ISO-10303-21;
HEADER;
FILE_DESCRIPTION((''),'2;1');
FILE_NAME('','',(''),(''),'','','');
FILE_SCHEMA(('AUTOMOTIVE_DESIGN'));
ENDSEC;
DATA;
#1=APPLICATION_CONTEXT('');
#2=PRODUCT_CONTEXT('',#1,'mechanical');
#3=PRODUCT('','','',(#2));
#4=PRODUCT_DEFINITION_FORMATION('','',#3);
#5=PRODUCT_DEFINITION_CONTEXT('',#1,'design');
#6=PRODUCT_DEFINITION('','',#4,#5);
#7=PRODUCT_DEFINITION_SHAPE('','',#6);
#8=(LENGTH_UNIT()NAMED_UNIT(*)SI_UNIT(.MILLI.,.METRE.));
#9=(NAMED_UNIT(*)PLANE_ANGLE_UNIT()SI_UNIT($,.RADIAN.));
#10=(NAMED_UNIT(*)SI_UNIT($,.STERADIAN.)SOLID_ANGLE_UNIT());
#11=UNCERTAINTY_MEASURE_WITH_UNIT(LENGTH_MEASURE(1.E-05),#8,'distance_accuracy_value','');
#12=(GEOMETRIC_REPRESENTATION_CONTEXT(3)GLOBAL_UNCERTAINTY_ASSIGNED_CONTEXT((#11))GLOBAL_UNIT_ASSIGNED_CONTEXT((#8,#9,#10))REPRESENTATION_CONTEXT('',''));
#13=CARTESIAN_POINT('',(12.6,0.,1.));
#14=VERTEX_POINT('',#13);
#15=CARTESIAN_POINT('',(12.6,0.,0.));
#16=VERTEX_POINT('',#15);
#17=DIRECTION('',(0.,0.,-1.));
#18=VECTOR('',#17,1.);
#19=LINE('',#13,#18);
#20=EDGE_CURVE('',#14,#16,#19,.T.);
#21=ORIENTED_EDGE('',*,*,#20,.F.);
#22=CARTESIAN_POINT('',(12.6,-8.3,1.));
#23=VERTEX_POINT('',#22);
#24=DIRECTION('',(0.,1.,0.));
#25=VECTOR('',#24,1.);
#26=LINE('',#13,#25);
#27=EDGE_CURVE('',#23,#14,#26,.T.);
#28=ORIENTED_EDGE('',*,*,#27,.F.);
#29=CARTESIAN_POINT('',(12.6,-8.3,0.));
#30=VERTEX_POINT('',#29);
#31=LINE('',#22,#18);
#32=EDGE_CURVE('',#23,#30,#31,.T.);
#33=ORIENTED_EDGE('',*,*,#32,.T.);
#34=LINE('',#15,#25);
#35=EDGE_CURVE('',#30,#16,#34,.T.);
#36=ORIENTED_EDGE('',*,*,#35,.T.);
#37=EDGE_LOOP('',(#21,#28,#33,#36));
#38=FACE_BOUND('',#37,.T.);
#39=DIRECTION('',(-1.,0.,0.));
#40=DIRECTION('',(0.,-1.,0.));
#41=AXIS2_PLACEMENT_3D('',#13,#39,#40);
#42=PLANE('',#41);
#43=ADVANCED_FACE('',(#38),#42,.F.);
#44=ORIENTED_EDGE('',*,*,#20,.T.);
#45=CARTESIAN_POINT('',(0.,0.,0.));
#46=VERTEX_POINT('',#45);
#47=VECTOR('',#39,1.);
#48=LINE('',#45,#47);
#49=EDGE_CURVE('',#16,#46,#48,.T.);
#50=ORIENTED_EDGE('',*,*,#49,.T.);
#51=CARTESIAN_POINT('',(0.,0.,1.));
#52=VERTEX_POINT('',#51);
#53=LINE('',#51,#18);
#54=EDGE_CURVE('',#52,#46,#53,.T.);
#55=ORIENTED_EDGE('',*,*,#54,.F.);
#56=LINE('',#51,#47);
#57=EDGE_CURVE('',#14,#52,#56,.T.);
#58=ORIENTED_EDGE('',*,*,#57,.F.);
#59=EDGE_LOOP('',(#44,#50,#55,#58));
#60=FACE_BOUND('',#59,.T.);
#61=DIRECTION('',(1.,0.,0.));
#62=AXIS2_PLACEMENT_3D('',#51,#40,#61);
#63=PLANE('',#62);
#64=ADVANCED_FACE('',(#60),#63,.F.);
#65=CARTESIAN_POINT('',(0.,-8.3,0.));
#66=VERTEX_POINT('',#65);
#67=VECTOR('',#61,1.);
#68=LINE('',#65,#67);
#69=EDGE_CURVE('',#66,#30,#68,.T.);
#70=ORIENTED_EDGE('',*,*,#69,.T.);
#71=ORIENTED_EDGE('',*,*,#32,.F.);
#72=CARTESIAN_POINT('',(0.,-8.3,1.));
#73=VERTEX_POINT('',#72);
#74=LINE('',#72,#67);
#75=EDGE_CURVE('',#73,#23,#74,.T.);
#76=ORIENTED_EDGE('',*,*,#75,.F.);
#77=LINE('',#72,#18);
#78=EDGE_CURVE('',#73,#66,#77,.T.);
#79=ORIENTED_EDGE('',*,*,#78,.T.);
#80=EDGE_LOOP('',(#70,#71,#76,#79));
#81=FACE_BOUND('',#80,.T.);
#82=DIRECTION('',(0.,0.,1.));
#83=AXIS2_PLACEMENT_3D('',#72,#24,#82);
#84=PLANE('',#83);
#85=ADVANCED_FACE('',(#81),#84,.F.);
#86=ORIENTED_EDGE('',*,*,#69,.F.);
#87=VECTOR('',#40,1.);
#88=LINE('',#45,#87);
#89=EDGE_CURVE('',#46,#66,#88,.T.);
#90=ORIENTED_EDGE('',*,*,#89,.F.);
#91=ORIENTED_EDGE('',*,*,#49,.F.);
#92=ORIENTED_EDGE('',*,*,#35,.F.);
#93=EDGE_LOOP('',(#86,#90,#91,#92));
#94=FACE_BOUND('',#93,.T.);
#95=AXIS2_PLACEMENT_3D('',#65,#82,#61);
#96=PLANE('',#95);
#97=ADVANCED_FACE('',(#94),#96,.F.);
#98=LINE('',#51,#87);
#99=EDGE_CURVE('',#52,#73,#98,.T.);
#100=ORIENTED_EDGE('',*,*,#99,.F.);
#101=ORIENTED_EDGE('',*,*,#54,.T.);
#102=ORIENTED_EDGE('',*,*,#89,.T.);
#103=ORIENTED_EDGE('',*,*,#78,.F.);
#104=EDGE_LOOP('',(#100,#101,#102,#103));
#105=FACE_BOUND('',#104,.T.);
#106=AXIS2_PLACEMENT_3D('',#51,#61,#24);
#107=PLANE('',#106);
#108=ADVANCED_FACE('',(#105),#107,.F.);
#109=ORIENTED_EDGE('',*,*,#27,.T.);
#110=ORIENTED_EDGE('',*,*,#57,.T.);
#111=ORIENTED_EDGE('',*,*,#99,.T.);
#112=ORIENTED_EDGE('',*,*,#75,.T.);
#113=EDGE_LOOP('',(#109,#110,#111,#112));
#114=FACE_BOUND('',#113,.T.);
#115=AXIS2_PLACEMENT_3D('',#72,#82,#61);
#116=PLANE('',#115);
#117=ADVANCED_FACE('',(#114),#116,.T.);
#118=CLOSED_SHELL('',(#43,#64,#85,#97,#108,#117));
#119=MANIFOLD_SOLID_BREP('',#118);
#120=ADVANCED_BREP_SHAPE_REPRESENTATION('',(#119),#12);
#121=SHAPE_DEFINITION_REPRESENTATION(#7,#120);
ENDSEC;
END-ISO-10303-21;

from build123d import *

# Parameters (mm, degrees)
SKETCH1_W      = 12.6
SKETCH1_H      = 8.3
EXTRUDE1_DEPTH = 1


with BuildPart() as part:
    # Sketch1 → Extrude1 (new body)
    with BuildSketch(Plane.XY):
        with Locations((6.3, -4.15)):
            Rectangle(SKETCH1_W, SKETCH1_H)
    extrude(amount=EXTRUDE1_DEPTH)


solid = part.part
